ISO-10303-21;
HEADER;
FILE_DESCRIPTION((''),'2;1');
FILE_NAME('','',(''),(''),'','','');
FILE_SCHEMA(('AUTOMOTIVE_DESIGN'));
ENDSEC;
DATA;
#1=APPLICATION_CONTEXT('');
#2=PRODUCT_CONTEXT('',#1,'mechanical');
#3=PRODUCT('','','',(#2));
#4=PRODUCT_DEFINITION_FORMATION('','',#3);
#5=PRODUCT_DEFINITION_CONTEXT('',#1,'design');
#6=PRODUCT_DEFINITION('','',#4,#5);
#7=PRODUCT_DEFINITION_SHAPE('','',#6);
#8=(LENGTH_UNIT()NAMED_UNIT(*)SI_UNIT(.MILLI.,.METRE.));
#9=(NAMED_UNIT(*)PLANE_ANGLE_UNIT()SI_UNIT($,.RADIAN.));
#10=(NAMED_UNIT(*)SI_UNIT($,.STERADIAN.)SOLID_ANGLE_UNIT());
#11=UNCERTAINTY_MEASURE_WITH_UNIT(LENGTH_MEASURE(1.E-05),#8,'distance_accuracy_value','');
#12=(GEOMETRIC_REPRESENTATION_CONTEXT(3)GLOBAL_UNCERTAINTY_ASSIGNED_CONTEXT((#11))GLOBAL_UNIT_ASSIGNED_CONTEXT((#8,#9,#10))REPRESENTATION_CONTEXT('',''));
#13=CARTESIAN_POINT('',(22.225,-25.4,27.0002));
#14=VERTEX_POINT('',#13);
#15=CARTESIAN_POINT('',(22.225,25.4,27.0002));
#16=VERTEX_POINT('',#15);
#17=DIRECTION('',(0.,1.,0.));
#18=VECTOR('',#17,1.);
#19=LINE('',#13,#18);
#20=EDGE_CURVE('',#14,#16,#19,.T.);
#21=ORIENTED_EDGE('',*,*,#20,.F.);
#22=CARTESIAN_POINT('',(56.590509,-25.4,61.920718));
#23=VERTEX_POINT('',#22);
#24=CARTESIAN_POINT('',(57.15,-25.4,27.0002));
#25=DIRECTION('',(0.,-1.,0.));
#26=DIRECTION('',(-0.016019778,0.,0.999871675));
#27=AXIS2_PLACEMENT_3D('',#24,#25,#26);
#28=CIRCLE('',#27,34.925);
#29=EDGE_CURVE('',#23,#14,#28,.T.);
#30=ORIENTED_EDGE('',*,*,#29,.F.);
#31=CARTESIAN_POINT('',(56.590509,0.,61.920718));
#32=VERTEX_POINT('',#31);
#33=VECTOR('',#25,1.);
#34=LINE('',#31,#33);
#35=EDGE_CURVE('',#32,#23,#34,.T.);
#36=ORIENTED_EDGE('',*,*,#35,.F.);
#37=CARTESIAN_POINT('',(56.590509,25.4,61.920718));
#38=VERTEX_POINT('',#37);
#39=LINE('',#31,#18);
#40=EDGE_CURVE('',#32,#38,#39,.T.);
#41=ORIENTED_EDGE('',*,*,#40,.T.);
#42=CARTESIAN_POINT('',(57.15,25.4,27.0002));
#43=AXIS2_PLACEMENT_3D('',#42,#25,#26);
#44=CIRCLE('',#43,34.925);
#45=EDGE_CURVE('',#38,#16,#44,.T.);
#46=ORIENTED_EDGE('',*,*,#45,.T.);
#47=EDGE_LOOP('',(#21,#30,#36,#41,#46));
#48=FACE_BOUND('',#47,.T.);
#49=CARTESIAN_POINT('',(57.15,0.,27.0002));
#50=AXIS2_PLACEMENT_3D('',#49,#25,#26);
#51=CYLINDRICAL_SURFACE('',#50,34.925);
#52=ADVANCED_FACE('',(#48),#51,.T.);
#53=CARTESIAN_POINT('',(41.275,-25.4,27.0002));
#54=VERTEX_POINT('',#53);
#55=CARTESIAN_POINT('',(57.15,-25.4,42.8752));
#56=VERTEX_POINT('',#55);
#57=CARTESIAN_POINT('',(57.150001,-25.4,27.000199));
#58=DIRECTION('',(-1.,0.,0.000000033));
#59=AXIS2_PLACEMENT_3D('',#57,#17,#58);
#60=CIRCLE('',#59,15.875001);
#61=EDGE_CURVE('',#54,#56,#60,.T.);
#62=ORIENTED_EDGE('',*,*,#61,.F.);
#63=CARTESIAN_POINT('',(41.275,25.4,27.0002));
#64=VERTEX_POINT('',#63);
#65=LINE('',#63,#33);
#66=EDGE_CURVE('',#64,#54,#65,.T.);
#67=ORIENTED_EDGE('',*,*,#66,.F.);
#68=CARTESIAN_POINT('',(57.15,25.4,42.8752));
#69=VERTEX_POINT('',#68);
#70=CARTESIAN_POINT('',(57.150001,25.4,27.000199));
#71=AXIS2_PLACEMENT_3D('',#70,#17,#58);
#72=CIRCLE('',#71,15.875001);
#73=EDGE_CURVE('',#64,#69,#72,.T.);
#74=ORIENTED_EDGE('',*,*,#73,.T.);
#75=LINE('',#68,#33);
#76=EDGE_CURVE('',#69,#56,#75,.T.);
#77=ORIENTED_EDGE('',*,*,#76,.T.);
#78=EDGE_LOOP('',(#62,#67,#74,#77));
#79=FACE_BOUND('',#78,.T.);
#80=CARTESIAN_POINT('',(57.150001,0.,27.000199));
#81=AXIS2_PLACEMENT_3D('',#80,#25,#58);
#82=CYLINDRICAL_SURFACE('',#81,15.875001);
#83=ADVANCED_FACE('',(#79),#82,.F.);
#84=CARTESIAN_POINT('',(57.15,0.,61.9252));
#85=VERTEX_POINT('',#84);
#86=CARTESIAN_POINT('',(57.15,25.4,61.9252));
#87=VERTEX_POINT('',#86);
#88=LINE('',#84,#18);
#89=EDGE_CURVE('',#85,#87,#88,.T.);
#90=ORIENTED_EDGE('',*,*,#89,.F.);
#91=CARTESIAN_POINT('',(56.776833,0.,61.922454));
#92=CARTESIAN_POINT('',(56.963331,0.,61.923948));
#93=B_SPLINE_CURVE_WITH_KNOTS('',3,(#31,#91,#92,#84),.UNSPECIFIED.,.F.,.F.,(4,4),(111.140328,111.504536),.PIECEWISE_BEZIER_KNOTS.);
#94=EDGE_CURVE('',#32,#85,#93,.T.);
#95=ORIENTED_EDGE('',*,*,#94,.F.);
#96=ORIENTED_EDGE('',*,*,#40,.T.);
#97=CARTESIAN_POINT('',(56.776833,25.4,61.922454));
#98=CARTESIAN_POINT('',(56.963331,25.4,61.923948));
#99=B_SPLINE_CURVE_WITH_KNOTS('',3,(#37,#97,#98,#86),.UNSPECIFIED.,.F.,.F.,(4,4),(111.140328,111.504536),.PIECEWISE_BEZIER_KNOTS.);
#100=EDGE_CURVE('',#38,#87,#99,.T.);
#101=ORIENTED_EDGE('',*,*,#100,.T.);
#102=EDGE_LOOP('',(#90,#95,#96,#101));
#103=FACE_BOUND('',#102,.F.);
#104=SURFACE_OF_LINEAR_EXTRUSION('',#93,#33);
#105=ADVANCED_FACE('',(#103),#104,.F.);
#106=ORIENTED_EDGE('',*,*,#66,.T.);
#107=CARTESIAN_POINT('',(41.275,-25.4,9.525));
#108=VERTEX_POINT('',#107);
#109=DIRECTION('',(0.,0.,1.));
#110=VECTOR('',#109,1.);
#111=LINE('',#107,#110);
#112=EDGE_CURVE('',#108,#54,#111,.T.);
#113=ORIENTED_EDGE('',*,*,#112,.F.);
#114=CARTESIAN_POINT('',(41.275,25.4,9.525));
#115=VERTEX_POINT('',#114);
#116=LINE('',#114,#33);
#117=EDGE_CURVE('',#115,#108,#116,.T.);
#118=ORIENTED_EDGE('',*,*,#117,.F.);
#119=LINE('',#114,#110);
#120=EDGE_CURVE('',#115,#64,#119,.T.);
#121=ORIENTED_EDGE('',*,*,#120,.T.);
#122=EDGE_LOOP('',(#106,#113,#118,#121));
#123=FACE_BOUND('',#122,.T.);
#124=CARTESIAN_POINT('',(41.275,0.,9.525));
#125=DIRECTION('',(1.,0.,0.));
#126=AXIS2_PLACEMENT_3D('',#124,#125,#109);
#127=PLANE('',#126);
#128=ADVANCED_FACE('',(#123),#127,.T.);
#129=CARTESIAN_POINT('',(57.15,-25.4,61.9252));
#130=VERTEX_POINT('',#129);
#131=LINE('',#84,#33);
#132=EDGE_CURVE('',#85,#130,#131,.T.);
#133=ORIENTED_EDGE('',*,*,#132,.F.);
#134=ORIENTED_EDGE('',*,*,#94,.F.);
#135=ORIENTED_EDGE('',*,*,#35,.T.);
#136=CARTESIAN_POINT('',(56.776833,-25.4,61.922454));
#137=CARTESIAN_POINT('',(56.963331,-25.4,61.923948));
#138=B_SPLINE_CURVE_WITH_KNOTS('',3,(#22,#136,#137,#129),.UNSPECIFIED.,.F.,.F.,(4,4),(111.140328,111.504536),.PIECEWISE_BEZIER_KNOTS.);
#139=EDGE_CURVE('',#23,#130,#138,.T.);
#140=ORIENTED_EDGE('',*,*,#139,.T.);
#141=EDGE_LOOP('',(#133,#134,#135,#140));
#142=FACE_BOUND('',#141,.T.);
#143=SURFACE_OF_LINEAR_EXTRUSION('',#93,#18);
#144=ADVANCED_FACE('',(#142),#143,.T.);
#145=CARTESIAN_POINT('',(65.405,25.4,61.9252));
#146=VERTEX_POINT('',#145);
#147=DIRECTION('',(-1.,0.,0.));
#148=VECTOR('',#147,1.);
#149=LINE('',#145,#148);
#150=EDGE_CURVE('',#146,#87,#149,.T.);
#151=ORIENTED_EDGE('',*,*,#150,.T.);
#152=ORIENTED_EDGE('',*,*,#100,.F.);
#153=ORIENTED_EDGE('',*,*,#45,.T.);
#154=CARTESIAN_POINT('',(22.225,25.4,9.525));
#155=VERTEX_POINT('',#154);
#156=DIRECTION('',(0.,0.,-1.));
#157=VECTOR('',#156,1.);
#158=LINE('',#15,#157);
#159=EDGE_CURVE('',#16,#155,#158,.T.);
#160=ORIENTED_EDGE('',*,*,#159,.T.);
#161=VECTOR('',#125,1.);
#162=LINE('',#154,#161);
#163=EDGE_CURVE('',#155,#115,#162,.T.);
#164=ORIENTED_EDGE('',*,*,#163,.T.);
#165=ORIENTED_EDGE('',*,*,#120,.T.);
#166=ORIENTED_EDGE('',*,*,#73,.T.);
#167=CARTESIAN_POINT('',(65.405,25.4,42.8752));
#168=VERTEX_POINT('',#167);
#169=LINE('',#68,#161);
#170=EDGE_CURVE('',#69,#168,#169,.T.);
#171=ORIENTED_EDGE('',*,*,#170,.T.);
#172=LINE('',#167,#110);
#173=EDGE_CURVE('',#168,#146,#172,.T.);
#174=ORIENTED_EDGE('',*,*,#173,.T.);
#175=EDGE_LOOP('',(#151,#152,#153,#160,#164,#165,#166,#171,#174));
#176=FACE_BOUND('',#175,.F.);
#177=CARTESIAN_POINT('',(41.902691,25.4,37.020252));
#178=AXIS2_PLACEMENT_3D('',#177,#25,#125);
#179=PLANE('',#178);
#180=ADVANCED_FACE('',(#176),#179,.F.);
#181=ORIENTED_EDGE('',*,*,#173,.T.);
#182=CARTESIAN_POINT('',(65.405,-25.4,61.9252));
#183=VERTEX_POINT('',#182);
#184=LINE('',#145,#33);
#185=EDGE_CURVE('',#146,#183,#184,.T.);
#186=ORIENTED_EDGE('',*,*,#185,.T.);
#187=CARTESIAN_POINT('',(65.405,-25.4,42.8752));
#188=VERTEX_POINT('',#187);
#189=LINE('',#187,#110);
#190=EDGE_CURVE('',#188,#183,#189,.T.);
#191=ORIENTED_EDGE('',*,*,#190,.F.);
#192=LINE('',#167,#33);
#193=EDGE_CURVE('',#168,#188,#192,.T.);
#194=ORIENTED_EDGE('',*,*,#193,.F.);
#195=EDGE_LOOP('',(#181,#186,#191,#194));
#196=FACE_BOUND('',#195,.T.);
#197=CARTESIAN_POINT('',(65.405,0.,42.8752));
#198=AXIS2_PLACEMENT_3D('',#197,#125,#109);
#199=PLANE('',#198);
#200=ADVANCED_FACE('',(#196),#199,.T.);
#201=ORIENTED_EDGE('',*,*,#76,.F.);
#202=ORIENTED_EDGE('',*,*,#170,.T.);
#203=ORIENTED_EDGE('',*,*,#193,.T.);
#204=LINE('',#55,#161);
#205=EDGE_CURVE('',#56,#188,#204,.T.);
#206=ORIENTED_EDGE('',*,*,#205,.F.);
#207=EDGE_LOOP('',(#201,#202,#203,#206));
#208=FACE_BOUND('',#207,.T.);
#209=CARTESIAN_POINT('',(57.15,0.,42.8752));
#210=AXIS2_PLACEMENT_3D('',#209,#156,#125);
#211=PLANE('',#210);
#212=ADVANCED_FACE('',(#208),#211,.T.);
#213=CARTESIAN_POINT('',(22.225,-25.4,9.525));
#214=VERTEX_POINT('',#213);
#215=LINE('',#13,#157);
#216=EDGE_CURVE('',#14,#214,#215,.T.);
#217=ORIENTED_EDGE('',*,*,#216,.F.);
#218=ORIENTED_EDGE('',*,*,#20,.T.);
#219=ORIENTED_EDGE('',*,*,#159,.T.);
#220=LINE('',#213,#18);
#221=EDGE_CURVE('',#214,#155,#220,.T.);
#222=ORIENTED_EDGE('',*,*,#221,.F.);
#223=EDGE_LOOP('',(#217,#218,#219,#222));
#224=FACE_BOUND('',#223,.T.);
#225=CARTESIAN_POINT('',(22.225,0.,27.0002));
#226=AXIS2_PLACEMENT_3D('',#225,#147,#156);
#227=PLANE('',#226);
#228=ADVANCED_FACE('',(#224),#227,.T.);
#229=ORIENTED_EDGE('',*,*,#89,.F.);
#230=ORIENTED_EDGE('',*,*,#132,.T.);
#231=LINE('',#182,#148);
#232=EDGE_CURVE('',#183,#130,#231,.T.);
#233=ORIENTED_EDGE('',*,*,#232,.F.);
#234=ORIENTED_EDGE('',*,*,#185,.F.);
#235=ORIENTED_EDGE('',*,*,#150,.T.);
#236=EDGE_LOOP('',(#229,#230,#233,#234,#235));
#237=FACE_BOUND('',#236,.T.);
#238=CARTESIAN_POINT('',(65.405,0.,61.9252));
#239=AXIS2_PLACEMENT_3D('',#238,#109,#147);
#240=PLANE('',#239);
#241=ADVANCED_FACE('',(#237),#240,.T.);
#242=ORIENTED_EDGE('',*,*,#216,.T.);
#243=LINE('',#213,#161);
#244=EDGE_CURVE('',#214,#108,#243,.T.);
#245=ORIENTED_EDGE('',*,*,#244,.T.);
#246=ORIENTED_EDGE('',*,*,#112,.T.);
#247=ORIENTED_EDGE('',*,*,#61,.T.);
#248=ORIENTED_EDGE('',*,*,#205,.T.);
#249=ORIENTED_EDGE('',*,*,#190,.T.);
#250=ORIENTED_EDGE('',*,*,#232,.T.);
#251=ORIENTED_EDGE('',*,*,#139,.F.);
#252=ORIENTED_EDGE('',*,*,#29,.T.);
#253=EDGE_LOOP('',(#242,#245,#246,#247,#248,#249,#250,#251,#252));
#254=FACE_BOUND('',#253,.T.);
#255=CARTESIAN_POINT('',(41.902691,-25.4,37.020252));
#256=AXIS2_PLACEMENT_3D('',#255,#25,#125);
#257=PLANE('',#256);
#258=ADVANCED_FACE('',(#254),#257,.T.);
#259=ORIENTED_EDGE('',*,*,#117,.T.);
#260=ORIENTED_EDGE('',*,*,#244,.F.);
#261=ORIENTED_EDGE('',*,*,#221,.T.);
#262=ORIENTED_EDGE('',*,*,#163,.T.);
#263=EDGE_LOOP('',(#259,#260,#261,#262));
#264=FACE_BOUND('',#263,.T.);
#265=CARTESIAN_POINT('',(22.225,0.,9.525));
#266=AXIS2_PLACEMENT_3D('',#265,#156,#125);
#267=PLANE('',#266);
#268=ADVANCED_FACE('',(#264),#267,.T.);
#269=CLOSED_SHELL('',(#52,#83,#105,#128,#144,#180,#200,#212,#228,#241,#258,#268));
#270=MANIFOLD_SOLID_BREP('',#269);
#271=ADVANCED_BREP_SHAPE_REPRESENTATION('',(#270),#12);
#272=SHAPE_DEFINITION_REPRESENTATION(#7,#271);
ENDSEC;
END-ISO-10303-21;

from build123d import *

# Parameters (mm, degrees)
F1_DEPTH = 25.4


with BuildPart() as f1:
    # F0 (on Front) → F1 (new body, symmetric)
    with BuildSketch(Plane.XZ):
        with BuildLine():
            Line((22.225, 9.525), (41.275, 9.525))
            Line((41.275, 9.525), (41.275, 27.0002))
            ThreePointArc((41.275, 27.0002), (45.92468, 38.22552), (57.15, 42.8752))
            Line((57.15, 42.8752), (65.405, 42.8752))
            Line((65.405, 42.8752), (65.405, 61.9252))
            Line((65.405, 61.9252), (57.15, 61.9252))
            add(Edge.make_bspline(
                [(56.590509, 61.920718), (56.776833, 61.922454), (56.963331, 61.923948), (57.15, 61.9252)],
                knots=[111.140328, 111.140328, 111.140328, 111.140328, 111.504536, 111.504536, 111.504536, 111.504536], degree=3))
            ThreePointArc((56.590509, 61.920718), (32.257272, 51.497296), (22.225, 27.0002))
            Line((22.225, 27.0002), (22.225, 9.525))
        make_face()
    extrude(amount=F1_DEPTH, both=True)


solid = f1.part
